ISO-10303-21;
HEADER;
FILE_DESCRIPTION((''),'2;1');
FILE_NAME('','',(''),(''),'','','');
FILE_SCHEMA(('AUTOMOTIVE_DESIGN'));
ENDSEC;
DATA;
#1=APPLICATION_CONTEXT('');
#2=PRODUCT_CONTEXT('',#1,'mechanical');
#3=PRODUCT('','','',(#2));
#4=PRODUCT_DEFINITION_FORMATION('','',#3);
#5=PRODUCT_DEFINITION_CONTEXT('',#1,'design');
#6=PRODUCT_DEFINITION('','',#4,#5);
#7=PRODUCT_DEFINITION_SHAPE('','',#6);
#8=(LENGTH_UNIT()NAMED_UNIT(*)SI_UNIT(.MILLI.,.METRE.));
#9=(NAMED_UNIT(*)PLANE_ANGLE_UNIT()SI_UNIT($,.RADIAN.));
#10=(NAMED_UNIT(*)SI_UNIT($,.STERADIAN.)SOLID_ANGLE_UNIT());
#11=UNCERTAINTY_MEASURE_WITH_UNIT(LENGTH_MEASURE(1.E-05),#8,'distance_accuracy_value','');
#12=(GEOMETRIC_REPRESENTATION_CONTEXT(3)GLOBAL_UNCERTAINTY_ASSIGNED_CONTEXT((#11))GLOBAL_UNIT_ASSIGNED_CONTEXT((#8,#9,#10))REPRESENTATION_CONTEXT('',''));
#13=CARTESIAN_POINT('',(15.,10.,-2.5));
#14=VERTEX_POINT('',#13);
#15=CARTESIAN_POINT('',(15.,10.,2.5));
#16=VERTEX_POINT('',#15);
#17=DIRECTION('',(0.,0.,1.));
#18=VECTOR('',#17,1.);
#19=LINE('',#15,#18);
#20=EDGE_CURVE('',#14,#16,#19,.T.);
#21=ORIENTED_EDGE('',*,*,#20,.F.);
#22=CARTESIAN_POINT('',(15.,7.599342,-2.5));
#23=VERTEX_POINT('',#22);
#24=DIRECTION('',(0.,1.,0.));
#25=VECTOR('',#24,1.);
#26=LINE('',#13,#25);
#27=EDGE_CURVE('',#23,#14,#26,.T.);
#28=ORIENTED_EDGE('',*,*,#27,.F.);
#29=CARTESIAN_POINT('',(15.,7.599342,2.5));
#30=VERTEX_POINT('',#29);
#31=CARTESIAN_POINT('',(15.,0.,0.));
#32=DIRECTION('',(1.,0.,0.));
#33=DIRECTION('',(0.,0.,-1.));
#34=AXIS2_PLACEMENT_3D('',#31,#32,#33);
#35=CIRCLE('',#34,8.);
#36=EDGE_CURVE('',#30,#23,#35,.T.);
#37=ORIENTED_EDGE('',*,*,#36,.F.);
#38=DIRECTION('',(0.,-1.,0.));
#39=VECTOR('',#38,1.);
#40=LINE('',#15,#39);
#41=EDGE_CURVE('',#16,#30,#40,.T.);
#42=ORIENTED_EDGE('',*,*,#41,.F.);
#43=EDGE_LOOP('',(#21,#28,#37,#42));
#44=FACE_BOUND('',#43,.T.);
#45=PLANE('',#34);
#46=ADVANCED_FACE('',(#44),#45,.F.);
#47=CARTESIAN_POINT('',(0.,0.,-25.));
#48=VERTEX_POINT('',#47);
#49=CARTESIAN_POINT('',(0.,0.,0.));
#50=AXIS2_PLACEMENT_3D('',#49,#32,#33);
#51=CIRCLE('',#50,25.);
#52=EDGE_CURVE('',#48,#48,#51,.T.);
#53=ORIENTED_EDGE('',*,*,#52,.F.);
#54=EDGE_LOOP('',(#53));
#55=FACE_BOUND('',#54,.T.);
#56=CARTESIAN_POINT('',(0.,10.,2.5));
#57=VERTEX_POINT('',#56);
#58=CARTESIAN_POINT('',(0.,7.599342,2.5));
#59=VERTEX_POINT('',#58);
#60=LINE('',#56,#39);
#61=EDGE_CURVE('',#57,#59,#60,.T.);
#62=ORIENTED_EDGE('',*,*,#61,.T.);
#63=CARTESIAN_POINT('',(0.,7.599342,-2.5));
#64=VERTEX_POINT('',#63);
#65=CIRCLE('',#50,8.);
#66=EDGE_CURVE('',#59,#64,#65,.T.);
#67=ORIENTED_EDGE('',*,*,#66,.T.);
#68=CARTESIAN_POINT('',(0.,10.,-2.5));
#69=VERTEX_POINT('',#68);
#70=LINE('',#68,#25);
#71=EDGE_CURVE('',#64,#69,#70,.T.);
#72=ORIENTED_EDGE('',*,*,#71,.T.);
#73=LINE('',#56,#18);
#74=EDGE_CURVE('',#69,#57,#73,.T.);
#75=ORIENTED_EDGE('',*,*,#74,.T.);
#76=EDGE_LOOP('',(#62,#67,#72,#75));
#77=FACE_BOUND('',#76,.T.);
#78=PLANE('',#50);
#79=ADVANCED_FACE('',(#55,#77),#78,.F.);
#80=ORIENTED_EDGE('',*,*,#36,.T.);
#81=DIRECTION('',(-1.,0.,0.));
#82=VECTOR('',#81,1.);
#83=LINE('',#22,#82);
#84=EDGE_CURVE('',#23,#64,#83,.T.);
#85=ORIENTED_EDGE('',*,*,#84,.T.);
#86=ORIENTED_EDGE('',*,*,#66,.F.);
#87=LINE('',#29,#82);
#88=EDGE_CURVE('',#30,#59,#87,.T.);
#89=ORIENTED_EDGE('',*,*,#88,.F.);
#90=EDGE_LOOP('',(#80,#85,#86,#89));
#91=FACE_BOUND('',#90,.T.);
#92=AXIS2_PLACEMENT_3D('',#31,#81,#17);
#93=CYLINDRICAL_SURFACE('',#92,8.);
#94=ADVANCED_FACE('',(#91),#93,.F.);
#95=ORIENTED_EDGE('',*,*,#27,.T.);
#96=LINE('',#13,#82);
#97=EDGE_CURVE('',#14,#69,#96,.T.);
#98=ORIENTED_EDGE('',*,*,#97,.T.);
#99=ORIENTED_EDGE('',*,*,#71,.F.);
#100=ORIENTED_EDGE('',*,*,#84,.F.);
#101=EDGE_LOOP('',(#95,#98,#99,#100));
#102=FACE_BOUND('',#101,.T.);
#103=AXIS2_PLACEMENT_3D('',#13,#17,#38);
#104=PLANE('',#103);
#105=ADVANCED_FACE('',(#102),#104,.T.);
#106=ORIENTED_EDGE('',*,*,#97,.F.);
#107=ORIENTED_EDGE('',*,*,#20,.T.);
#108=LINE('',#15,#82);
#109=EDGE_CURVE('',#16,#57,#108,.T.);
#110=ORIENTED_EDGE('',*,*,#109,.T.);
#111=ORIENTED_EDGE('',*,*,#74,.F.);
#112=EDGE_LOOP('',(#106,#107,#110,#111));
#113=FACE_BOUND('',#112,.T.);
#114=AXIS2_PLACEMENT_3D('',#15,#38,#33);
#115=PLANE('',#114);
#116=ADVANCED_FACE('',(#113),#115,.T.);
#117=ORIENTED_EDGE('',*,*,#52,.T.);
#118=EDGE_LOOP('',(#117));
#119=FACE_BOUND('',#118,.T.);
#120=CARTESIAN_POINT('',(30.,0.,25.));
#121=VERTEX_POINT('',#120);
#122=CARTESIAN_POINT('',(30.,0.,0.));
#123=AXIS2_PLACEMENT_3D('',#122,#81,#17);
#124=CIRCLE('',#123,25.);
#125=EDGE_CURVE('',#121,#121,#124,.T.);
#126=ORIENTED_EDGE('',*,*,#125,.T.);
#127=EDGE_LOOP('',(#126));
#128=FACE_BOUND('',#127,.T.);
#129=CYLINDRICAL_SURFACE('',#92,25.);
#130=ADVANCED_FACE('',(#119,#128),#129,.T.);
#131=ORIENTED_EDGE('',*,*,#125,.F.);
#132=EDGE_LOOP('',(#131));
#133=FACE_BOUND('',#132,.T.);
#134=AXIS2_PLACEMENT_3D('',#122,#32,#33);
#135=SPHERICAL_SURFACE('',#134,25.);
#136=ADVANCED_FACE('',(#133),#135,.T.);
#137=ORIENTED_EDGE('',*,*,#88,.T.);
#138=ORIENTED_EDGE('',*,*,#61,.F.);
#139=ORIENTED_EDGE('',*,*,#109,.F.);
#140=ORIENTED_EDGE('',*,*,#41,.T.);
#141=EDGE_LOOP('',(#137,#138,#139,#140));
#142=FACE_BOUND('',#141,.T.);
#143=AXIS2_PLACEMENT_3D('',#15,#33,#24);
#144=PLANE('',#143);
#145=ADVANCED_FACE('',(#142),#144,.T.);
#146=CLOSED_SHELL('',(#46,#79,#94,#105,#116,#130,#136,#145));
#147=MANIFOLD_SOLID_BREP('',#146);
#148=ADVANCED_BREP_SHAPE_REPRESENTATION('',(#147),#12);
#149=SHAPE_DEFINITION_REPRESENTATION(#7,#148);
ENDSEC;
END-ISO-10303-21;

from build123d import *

# Parameters (mm, degrees)
SKETCH1_R           = 25
BOSS_EXTRUDE1_DEPTH = 15
SKETCH2_R           = 25
BOSS_EXTRUDE2_DEPTH = 40
FILLET1_R           = 25


with BuildPart() as part:
    # Sketch1 → Boss-Extrude1 (new body)
    with BuildSketch(Plane(origin=(0, 0, 0), x_dir=(0, 0, -1), z_dir=(1, 0, 0))):
        Circle(SKETCH1_R)
        with BuildLine():
            Line((-2.5, 10), (2.5, 10))
            Line((2.5, 10), (2.5, 7.599342077))
            ThreePointArc((2.5, 7.599342077), (0, -8), (-2.5, 7.599342077))
            Line((-2.5, 7.599342077), (-2.5, 10))
        make_face(mode=Mode.SUBTRACT)
    extrude(amount=BOSS_EXTRUDE1_DEPTH)

    # Sketch2 → Boss-Extrude2 (add)
    with BuildSketch(Plane(origin=(15, 0, 0), x_dir=(0, 0, -1), z_dir=(1, 0, 0))):
        Circle(SKETCH2_R)
    extrude(amount=BOSS_EXTRUDE2_DEPTH)

    # Fillet1
    fillet1_edges = [part.edges().sort_by_distance(p)[0] for p in [
        (55, 0, 25),
    ]]
    fillet(fillet1_edges, radius=FILLET1_R)


solid = part.part
